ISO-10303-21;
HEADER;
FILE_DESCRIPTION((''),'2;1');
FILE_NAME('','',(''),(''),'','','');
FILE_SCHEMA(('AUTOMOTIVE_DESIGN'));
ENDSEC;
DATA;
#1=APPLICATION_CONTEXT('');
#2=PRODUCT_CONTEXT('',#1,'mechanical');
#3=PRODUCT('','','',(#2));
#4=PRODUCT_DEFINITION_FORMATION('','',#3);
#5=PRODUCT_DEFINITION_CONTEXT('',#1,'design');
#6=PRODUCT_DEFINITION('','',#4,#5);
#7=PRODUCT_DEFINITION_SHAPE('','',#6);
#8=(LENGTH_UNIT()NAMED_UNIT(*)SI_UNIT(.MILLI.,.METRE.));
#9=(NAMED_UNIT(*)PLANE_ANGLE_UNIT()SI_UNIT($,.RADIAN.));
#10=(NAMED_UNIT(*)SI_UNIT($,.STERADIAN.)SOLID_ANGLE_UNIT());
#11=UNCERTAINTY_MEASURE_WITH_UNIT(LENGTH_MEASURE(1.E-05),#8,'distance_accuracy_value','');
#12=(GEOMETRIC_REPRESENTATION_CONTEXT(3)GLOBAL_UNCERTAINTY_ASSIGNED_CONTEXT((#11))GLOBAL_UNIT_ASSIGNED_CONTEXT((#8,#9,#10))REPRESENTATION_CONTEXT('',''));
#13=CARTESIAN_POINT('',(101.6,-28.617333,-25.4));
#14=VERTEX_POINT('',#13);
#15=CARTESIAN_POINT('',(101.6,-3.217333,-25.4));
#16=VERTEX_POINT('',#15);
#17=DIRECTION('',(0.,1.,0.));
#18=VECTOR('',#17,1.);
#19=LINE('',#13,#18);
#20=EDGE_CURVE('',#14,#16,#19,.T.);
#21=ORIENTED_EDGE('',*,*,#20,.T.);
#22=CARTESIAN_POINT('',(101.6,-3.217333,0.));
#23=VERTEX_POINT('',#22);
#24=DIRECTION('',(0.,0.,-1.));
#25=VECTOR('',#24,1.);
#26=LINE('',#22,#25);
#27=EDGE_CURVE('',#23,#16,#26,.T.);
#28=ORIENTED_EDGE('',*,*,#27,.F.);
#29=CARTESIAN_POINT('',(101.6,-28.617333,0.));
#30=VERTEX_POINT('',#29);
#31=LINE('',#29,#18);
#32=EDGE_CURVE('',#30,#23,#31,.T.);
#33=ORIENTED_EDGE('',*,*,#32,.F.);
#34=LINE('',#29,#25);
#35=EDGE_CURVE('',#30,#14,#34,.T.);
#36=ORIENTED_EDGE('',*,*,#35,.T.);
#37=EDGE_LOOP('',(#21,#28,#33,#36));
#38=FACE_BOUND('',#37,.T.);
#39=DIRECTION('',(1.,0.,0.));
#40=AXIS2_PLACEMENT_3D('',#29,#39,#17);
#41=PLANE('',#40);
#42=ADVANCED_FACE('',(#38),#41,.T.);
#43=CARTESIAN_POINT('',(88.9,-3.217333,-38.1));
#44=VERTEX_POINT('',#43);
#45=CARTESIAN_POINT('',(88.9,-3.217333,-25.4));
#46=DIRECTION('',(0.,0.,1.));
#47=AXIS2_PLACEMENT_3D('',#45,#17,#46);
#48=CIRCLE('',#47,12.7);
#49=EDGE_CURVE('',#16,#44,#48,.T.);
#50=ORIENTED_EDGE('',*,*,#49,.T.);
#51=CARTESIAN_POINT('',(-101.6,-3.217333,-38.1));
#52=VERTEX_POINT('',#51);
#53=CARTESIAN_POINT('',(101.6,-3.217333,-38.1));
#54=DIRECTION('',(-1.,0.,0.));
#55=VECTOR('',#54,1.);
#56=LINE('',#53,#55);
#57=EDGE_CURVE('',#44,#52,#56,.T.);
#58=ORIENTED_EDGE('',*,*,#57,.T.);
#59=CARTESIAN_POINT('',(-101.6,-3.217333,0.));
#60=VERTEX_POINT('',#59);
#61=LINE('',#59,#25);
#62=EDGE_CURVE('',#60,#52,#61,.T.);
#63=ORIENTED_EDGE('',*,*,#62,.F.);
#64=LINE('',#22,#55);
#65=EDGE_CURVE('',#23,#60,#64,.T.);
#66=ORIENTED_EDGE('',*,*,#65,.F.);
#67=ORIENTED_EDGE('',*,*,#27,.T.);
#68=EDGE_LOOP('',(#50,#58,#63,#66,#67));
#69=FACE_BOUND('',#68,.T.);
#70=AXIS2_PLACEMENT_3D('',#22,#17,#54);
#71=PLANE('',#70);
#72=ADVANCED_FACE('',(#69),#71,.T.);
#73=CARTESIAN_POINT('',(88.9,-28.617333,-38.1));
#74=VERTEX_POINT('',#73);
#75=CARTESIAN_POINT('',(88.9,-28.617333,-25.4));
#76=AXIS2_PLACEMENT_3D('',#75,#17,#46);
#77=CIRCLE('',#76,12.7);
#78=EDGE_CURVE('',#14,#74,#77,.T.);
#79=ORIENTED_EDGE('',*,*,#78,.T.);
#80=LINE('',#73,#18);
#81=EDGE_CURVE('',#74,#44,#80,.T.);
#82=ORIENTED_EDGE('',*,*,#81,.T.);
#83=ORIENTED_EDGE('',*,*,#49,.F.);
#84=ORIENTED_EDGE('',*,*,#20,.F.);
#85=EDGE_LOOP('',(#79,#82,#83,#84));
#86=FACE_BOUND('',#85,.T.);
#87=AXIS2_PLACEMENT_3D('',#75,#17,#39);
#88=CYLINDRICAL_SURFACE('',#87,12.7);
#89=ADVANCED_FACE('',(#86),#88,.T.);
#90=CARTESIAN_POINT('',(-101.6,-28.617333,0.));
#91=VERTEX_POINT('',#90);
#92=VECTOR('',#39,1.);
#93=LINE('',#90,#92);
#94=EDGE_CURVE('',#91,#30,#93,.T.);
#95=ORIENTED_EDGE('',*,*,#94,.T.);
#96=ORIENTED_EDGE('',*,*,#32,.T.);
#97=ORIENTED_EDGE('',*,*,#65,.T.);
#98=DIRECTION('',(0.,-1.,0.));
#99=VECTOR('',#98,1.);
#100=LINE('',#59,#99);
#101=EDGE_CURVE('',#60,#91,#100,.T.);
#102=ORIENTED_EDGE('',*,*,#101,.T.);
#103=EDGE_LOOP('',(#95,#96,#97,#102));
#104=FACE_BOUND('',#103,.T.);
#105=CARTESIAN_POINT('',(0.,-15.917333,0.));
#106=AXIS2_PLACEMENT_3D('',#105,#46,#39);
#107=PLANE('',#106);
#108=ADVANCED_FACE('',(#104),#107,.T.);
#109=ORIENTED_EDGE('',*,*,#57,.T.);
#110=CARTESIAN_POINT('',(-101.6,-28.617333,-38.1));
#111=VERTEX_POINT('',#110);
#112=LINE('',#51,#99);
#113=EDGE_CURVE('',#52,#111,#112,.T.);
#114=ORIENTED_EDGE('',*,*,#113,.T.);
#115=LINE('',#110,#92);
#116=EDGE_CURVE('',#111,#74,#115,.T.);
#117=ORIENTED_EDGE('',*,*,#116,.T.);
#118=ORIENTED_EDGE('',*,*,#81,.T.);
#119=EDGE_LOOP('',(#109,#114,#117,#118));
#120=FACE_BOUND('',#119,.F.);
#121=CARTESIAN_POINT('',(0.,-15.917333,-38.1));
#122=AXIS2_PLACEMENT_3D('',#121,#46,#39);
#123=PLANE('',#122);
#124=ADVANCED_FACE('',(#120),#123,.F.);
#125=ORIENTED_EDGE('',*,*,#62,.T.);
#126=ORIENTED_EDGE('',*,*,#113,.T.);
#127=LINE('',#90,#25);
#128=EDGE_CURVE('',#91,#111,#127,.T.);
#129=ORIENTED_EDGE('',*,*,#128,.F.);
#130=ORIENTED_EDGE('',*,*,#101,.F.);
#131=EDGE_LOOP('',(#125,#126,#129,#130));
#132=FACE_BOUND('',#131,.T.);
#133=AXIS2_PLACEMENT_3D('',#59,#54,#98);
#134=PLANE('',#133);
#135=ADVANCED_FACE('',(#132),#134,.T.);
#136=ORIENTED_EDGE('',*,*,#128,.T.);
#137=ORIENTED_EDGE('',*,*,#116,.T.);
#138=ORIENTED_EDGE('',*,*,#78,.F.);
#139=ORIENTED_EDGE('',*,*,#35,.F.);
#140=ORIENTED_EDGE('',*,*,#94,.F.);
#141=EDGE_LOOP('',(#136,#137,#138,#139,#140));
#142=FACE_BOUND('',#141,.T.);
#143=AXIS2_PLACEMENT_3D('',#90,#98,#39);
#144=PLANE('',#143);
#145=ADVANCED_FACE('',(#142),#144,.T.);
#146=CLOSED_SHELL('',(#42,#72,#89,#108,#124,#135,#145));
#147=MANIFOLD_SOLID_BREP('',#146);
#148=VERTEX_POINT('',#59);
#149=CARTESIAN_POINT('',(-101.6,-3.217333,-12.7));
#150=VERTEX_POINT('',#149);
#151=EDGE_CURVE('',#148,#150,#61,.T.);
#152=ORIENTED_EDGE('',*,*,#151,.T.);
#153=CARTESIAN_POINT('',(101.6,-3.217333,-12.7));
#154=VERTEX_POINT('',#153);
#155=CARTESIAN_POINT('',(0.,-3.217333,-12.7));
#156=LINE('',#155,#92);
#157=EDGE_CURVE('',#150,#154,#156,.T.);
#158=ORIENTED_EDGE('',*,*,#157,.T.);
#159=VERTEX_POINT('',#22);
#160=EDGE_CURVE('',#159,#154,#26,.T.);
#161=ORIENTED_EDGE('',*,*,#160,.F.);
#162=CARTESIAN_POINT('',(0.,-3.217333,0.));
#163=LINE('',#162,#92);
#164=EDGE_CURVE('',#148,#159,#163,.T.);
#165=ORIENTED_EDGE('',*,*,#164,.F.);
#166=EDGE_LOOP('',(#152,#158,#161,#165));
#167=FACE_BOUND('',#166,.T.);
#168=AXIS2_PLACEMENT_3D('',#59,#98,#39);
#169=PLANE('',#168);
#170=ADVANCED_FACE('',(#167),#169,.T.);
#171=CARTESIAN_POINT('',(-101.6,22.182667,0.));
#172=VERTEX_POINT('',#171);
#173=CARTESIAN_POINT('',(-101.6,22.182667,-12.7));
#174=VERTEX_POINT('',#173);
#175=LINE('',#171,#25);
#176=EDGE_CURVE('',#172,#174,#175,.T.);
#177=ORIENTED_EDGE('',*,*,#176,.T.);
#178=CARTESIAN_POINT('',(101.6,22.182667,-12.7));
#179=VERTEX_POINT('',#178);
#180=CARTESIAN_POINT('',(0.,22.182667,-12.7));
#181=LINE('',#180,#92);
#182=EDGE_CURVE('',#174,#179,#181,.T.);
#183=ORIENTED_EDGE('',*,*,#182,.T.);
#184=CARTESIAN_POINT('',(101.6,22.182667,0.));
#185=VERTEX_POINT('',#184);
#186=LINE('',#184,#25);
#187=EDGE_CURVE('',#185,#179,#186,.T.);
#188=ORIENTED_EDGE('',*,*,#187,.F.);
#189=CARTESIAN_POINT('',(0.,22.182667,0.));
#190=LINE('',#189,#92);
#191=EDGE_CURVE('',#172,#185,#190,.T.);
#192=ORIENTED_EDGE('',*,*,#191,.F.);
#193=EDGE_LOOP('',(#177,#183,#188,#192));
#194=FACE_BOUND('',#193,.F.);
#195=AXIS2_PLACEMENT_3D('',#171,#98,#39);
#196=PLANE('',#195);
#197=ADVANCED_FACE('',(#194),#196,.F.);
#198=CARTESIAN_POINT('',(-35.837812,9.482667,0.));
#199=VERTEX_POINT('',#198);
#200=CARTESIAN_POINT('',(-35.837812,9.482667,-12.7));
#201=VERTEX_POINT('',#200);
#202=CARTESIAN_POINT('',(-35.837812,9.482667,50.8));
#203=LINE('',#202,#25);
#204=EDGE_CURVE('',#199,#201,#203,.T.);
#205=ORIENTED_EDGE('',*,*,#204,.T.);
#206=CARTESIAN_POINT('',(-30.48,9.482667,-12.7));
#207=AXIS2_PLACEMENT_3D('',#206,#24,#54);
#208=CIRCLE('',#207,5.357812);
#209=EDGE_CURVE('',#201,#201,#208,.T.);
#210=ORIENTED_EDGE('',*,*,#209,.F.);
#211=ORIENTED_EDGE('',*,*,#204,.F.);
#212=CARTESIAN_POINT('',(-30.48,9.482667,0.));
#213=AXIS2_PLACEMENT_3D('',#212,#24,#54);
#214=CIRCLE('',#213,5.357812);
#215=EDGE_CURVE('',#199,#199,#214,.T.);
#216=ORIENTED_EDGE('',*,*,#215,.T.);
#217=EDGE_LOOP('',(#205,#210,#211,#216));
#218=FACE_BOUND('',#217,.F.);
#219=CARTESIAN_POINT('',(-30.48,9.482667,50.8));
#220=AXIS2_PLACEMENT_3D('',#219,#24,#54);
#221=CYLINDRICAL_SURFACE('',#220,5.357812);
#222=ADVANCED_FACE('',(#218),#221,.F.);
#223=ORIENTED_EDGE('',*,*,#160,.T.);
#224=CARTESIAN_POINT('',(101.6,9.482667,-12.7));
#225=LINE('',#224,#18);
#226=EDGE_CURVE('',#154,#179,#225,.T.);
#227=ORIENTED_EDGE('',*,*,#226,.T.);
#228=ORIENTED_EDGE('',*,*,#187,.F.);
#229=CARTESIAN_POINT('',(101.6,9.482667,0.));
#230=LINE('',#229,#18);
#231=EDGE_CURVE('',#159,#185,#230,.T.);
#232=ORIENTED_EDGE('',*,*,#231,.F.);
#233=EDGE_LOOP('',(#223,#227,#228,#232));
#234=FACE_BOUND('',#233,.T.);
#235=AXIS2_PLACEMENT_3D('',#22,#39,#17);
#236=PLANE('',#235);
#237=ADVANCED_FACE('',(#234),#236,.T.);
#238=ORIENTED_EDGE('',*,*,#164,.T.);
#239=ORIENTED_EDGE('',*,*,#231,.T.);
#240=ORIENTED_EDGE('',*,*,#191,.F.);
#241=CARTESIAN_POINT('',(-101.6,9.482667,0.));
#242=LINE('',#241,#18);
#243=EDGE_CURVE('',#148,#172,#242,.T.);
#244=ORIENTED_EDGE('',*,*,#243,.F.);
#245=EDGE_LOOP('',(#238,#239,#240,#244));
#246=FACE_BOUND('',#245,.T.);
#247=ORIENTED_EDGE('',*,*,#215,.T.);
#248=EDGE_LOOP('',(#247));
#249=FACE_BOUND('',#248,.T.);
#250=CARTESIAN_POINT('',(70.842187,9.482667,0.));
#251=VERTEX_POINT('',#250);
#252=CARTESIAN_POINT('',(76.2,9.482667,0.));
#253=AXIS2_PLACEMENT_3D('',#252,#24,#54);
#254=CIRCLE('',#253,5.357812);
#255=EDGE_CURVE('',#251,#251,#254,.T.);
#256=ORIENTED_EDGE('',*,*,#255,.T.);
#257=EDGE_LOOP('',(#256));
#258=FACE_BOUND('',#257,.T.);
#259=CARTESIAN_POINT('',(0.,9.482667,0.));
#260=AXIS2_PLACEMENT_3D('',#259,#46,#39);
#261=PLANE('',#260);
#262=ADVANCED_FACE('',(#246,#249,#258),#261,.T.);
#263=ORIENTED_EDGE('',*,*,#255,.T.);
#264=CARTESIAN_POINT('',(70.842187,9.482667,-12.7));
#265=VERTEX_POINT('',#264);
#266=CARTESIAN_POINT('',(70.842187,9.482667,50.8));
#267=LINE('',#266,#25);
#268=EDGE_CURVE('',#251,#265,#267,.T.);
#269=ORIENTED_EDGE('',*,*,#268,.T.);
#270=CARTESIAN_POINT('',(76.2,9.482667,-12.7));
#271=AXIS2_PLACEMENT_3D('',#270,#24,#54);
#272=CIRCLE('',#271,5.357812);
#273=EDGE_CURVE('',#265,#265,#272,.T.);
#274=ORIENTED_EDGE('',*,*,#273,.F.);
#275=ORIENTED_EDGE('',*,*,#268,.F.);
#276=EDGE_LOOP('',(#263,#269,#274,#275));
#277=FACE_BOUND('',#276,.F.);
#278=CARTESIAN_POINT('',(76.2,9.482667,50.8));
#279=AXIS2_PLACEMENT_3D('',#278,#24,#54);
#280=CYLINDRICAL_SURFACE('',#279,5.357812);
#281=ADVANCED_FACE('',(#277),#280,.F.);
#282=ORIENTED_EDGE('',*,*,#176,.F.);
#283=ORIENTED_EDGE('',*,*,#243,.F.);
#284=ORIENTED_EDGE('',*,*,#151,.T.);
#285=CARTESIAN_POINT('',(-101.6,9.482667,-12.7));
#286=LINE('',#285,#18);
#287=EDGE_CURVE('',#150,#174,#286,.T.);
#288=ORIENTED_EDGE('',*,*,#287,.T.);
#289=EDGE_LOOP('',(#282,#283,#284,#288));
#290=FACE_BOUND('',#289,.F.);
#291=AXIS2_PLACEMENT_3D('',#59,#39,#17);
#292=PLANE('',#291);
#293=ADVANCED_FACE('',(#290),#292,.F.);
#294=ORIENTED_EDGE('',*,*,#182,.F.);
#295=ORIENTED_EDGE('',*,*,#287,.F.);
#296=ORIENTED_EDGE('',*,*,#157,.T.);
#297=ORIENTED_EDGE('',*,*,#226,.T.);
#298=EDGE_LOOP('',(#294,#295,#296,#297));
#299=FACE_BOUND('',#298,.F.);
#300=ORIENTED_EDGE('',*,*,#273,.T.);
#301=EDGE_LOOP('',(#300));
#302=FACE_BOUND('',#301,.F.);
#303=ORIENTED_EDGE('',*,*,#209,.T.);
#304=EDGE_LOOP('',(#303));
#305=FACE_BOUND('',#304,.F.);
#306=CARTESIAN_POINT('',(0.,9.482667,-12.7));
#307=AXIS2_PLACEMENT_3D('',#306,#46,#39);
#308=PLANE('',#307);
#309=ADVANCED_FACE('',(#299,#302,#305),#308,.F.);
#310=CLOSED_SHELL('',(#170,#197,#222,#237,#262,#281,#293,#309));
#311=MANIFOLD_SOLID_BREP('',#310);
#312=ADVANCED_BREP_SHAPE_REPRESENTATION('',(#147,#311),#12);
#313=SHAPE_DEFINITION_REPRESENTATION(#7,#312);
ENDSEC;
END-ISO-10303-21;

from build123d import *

# Parameters (mm, degrees)
F0_W     = 203.2
F0_H     = 25.4
F1_DEPTH = 12.7
F2_DEPTH = 38.1
F4_D     = 10.715625
F4_DEPTH = 50.8
F4_TIP   = 3.2192985354
F5_R     = 12.7


with BuildPart() as f1:
    # F0 (on Top) → F1 (new body)
    with BuildSketch(Plane.XY):
        with Locations((0, 9.4826666179)):
            Rectangle(F0_W, F0_H)
    extrude(amount=-F1_DEPTH)

    # F4
    with Locations(Plane.XY):
        with Locations((-30.48, 9.4826666179), (76.2, 9.4826666179)):
            Hole(F4_D / 2, depth=F4_DEPTH)
            with Locations((0, 0, -(F4_DEPTH + F4_TIP / 2))):  # 118° drill point
                Cone(0, F4_D / 2, F4_TIP, mode=Mode.SUBTRACT)


with BuildPart() as f2:
    # F0 (on Top) → F2 (new body)
    with BuildSketch(Plane.XY):
        Polygon((101.6, -3.2173333821), (-101.6, -3.2173333821), (-101.6, -28.6173333821), (88.9, -28.6173333821), (101.6, -28.6173333821), (101.6, -15.9173333821), align=None)
    extrude(amount=-F2_DEPTH)

    # F5
    f5_edges = [f2.edges().sort_by_distance(p)[0] for p in [
        (101.6, -15.917333, -38.1),
    ]]
    fillet(f5_edges, radius=F5_R)


solid = Compound([f1.part, f2.part])
